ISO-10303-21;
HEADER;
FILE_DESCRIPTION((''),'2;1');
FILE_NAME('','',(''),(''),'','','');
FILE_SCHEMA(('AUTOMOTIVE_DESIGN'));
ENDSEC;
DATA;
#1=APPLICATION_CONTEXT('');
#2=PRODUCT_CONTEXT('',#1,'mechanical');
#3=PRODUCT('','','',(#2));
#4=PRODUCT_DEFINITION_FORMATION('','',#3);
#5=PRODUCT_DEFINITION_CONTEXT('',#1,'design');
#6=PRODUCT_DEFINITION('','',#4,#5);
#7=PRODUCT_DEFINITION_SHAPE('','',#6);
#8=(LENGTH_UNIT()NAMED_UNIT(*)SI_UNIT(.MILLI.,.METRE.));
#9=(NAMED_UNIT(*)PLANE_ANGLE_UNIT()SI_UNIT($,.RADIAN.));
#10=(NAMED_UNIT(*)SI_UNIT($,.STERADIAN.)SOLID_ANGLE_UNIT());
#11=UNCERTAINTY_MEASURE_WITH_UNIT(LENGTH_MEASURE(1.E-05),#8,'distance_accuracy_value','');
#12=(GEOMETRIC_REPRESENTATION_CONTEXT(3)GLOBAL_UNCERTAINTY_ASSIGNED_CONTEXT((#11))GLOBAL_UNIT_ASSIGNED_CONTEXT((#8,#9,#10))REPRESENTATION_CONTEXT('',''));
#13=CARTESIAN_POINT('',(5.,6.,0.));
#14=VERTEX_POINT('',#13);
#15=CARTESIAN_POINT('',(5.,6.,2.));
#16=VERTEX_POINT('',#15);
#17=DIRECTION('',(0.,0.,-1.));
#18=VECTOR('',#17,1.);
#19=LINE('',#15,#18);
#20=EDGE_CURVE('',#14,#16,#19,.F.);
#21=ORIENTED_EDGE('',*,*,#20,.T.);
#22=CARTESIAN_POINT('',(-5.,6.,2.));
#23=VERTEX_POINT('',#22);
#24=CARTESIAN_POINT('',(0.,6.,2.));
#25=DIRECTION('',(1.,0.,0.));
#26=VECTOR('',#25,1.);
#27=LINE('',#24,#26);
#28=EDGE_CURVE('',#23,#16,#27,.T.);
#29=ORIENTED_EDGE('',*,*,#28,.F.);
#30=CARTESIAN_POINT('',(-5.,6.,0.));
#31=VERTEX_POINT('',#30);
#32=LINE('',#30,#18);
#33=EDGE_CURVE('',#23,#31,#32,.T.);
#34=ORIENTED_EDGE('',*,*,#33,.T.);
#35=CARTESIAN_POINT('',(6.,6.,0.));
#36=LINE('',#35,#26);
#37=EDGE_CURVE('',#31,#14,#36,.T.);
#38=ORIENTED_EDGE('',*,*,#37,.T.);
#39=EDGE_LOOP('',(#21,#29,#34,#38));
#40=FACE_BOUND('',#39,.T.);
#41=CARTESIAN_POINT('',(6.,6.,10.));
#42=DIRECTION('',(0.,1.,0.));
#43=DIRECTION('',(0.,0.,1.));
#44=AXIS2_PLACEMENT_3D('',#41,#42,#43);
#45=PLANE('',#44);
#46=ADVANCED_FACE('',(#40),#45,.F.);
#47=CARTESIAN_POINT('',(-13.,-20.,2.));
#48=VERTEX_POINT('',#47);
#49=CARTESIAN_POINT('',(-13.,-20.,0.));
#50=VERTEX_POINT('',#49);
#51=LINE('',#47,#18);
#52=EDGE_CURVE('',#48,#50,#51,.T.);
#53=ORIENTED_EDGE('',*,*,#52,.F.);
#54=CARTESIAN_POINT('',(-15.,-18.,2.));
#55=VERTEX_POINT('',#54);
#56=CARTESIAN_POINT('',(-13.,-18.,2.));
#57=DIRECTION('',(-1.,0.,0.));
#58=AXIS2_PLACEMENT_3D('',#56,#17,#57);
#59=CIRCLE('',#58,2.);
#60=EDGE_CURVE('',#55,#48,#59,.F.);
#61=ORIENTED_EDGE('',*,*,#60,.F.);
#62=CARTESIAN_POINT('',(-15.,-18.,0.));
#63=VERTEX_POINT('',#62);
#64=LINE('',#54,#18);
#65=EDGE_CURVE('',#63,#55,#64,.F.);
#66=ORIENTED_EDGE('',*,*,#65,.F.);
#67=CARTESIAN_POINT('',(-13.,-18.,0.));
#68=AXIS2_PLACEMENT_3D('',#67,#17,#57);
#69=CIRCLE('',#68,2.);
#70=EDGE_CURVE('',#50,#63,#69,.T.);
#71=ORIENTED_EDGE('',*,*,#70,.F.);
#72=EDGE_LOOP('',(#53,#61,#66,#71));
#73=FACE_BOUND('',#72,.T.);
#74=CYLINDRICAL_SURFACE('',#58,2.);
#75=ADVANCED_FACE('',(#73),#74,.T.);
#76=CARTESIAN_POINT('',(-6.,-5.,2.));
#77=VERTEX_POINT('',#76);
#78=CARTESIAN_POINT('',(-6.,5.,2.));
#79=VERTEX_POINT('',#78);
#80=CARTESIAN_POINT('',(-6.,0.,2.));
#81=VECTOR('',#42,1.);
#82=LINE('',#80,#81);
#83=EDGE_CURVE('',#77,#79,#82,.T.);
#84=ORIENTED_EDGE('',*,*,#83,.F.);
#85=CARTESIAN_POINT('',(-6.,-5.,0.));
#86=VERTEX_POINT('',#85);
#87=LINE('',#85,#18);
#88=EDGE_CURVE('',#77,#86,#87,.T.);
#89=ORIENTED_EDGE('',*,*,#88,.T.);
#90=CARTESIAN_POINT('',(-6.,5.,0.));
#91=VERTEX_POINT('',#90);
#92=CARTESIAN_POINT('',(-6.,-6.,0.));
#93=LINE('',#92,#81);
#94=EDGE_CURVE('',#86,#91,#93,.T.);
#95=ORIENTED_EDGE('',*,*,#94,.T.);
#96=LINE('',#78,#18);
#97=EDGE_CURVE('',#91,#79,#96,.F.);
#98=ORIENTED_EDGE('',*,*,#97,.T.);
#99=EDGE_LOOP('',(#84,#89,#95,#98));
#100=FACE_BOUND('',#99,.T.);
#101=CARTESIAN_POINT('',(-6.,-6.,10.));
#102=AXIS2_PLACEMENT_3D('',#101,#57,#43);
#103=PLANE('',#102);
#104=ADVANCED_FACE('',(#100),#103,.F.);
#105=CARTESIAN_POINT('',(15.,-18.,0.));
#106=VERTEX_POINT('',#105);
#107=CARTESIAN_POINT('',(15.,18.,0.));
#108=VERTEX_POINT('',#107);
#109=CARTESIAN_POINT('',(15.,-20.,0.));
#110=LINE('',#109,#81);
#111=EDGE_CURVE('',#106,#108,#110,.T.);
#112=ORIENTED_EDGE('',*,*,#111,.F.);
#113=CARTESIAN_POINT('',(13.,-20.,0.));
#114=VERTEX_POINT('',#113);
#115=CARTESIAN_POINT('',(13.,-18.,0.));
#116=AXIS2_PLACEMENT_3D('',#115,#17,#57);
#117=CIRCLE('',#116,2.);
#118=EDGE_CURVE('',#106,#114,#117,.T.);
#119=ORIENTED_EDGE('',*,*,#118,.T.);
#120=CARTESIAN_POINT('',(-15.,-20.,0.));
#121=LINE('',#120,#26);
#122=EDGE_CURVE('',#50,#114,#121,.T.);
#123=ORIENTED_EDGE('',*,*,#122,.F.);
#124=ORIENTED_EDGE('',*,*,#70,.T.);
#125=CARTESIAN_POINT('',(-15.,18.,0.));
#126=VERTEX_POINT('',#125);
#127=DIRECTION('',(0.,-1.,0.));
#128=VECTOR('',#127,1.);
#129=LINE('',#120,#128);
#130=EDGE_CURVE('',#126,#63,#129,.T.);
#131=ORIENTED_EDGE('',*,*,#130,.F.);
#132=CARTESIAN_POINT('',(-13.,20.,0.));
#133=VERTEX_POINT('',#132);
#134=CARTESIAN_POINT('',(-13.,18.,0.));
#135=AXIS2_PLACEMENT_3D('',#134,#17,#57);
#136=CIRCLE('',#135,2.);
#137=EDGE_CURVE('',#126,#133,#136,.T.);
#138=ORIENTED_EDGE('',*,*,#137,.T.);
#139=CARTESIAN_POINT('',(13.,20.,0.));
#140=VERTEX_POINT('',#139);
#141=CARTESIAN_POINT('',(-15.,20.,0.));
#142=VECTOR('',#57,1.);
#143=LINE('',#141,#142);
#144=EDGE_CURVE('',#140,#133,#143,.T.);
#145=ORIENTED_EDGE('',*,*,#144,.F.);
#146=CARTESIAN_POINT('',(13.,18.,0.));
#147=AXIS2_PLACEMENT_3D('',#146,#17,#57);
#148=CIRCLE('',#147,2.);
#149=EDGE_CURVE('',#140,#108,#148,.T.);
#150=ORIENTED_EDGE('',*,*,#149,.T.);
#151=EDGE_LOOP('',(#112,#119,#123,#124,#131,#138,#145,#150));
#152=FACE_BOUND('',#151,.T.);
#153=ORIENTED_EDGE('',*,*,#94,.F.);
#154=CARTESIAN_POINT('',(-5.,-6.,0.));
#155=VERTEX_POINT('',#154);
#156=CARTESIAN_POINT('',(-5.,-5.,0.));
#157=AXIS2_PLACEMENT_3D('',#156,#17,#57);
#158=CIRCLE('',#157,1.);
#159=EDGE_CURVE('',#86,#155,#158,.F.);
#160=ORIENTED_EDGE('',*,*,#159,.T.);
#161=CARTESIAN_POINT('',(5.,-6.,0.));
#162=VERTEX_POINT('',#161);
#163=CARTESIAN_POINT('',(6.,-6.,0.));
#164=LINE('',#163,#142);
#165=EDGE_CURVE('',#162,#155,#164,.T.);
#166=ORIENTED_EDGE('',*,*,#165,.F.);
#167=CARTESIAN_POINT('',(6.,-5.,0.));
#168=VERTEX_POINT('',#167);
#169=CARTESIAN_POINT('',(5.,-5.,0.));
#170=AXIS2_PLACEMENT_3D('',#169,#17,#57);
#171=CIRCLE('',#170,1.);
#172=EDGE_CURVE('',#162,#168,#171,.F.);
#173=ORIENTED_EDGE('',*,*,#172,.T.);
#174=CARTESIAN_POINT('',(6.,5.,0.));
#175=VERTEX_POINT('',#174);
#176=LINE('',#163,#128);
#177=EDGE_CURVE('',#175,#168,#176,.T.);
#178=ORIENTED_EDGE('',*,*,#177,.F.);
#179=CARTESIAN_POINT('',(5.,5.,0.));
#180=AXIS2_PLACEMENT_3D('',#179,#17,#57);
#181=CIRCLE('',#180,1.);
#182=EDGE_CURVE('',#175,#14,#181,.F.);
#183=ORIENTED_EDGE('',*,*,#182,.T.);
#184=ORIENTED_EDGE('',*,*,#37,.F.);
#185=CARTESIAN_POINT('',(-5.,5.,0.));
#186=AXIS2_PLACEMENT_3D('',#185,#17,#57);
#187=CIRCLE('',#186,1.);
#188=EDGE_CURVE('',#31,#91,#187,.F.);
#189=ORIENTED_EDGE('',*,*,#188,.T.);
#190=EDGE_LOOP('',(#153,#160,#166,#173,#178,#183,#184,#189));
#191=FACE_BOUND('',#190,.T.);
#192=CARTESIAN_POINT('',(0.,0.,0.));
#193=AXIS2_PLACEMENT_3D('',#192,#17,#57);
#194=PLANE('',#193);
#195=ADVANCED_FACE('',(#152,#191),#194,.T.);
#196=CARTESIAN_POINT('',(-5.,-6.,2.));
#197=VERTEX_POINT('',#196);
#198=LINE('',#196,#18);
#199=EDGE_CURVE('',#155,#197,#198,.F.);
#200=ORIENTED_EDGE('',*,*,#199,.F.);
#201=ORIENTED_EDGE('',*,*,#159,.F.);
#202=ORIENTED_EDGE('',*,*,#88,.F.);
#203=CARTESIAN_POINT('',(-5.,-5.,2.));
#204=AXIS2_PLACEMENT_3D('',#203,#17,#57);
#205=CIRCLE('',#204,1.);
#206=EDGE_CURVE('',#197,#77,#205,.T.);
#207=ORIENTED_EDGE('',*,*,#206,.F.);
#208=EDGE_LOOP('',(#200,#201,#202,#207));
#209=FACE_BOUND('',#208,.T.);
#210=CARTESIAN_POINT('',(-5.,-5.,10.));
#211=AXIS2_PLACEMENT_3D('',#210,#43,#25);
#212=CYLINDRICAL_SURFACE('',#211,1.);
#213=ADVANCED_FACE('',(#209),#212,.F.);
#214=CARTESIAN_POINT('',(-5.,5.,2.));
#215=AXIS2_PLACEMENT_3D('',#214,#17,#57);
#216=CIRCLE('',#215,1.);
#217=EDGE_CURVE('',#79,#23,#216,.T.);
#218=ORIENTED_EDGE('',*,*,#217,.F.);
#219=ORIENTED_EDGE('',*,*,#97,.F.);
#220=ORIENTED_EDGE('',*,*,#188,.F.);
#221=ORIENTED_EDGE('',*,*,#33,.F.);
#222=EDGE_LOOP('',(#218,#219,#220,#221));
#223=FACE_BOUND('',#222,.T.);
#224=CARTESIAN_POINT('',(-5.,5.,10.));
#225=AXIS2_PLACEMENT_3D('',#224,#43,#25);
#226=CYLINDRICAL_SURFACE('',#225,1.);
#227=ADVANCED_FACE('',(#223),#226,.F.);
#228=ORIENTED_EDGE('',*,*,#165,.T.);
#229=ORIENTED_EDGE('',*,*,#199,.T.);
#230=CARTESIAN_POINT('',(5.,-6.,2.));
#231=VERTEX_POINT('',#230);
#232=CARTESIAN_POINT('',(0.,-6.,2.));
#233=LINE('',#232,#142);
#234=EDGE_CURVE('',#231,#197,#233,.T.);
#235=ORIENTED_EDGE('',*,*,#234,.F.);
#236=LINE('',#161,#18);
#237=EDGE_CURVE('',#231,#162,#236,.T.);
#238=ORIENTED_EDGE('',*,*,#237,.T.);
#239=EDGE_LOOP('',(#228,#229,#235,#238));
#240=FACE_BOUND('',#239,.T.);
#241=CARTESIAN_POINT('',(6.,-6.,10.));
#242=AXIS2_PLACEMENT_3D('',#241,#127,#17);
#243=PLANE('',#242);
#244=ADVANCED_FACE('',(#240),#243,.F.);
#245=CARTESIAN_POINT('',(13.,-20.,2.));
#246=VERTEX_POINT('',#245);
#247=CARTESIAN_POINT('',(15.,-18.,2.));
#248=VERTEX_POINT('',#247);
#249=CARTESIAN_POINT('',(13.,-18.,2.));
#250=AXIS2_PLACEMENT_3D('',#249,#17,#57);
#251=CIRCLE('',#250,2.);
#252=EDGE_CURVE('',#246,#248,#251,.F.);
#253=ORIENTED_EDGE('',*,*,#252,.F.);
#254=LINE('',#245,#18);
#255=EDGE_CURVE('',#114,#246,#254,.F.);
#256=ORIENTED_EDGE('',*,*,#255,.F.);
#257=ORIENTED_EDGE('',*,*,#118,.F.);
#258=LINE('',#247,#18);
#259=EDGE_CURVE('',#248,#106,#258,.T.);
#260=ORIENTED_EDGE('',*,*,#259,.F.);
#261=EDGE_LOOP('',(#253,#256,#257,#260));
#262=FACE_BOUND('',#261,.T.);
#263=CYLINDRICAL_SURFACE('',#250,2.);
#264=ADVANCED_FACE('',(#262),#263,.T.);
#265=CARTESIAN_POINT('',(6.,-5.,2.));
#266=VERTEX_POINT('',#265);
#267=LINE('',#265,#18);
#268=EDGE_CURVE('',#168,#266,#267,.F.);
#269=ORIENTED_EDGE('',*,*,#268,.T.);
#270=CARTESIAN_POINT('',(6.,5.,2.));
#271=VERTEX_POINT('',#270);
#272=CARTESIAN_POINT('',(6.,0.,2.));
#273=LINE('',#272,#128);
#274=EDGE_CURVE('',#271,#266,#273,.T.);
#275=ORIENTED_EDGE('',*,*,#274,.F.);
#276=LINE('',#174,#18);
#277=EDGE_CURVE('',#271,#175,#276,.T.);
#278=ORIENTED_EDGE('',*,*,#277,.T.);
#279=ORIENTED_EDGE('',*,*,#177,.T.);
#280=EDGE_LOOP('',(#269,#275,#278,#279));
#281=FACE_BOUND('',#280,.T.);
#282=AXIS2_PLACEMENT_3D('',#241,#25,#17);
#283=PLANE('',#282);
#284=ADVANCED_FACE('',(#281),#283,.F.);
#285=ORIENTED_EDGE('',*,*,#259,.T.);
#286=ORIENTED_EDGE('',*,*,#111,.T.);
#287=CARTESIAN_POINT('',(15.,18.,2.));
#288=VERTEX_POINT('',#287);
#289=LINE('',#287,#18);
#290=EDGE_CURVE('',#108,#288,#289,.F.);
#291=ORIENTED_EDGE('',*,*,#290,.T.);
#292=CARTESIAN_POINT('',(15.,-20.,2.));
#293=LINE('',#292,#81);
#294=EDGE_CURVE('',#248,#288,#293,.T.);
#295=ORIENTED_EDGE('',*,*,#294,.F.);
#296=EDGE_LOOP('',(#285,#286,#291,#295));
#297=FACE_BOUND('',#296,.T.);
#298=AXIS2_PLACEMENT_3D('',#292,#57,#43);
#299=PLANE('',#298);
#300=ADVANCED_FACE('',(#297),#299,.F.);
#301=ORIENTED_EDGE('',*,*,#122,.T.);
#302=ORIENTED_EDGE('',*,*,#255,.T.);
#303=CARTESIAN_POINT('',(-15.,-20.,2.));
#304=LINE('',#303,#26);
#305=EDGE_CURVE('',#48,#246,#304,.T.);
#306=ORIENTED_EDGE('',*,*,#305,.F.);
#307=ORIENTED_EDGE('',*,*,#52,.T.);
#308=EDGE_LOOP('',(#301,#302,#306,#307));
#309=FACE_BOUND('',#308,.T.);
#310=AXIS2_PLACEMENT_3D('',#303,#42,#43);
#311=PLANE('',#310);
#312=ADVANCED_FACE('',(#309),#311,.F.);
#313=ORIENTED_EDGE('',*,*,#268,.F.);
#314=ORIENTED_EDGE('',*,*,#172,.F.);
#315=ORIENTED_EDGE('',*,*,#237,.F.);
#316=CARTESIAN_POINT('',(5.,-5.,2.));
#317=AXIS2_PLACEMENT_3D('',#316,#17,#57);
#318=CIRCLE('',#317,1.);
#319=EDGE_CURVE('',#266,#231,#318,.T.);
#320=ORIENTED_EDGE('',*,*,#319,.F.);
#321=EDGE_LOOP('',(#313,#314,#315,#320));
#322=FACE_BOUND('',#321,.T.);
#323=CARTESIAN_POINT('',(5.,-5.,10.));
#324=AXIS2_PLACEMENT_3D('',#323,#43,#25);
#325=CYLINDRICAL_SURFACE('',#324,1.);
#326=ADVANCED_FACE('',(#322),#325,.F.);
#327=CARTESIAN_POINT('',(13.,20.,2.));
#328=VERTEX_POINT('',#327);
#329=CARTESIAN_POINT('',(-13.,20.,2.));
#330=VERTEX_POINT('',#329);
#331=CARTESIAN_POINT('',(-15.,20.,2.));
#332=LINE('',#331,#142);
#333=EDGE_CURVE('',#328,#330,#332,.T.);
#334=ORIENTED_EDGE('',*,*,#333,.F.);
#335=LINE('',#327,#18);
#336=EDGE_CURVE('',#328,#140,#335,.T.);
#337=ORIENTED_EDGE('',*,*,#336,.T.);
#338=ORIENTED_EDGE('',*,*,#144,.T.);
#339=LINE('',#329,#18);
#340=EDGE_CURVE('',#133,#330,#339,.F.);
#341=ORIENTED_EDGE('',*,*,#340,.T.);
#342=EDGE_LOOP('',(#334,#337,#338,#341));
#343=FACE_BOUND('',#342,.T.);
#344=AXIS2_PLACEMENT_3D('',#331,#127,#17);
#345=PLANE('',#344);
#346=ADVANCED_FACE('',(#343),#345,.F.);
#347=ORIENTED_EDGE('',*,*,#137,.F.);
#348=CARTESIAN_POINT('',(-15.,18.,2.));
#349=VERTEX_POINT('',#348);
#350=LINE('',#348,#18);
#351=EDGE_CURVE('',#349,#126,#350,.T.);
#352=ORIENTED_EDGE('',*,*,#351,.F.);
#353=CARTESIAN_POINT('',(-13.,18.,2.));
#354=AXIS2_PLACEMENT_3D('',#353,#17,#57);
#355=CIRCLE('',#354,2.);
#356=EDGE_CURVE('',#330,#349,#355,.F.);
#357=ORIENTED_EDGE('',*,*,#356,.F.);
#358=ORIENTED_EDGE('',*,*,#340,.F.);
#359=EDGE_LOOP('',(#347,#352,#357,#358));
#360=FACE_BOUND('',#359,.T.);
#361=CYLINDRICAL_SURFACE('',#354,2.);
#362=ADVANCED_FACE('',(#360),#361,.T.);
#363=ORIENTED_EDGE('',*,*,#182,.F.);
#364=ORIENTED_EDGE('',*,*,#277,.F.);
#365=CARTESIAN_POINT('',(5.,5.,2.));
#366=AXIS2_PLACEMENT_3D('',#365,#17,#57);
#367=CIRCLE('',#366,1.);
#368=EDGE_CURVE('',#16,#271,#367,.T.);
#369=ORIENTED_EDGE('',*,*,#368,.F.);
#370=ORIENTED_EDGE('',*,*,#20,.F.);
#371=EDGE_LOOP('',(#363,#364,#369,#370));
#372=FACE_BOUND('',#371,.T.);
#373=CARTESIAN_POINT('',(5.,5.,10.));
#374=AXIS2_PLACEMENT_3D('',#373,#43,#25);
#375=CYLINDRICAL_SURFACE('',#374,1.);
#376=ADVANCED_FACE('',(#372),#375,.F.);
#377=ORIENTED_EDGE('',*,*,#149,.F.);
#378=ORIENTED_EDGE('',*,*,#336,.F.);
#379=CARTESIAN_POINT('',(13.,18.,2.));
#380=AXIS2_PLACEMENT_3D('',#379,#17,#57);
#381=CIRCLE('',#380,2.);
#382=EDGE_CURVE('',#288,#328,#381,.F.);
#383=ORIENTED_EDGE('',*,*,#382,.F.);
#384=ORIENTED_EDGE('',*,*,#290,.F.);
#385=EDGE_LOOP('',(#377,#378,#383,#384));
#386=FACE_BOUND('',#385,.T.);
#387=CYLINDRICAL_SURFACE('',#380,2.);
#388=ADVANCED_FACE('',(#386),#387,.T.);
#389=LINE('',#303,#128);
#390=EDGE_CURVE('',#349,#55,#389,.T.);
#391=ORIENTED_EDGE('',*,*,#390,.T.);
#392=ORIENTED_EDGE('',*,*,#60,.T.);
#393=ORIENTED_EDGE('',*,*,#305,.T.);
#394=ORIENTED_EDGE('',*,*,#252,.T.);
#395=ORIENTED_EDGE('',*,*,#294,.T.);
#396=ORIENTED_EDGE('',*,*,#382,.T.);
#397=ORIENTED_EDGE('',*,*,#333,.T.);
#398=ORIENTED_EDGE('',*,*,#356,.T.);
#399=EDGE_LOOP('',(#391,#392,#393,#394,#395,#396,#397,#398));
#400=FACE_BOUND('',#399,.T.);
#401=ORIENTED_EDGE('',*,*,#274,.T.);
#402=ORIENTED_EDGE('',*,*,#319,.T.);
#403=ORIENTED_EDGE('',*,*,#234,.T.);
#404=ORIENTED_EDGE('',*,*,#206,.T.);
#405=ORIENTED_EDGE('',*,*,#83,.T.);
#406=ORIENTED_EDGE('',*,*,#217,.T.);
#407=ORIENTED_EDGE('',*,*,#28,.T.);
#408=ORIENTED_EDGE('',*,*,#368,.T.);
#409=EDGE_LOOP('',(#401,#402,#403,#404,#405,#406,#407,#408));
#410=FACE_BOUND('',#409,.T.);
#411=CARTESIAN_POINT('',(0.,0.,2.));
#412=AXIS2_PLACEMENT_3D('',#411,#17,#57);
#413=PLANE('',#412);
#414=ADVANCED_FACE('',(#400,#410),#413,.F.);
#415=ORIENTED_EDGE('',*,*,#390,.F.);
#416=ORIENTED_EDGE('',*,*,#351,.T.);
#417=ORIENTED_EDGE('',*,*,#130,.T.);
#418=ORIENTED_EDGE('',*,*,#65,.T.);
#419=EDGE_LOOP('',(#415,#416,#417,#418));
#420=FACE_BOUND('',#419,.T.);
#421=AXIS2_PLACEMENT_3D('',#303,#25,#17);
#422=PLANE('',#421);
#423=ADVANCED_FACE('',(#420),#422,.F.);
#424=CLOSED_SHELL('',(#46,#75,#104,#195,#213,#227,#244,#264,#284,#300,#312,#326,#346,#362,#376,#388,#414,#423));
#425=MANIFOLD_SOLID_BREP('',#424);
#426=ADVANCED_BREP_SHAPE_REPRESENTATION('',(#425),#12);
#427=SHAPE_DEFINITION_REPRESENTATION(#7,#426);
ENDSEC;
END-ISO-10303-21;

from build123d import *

# Parameters (mm, degrees)
ESQUISSE1_W             = 30
ESQUISSE1_H             = 40
BOSS_EXTRU_1_DEPTH      = 2
CONG_1_R                = 2
ESQUISSE3_W             = 12
ESQUISSE3_H             = 12
ENL_V_MAT_EXTRU_1_DEPTH = 10
CONG_2_R                = 1


with BuildPart() as part:
    # Esquisse1 → Boss.-Extru.1 (new body)
    with BuildSketch(Plane.XY):
        Rectangle(ESQUISSE1_W, ESQUISSE1_H)
    extrude(amount=BOSS_EXTRU_1_DEPTH)

    # Congé1
    cong_1_edges = [part.edges().sort_by_distance(p)[0] for p in [
        (15, -20, 1),
        (-15, -20, 1),
        (-15, 20, 1),
        (15, 20, 1),
    ]]
    fillet(cong_1_edges, radius=CONG_1_R)

    # Esquisse3 → Enlèv. mat.-Extru.1 (cut)
    with BuildSketch(Plane(origin=(0, 0, 0), x_dir=(-1, 0, 0), z_dir=(0, 0, -1))):
        Rectangle(ESQUISSE3_W, ESQUISSE3_H)
    extrude(amount=-ENL_V_MAT_EXTRU_1_DEPTH, mode=Mode.SUBTRACT)

    # Congé2
    cong_2_edges = [part.edges().sort_by_distance(p)[0] for p in [
        (-6, 6, 1),
        (-6, -6, 1),
        (6, -6, 1),
        (6, 6, 1),
    ]]
    fillet(cong_2_edges, radius=CONG_2_R)


solid = part.part
